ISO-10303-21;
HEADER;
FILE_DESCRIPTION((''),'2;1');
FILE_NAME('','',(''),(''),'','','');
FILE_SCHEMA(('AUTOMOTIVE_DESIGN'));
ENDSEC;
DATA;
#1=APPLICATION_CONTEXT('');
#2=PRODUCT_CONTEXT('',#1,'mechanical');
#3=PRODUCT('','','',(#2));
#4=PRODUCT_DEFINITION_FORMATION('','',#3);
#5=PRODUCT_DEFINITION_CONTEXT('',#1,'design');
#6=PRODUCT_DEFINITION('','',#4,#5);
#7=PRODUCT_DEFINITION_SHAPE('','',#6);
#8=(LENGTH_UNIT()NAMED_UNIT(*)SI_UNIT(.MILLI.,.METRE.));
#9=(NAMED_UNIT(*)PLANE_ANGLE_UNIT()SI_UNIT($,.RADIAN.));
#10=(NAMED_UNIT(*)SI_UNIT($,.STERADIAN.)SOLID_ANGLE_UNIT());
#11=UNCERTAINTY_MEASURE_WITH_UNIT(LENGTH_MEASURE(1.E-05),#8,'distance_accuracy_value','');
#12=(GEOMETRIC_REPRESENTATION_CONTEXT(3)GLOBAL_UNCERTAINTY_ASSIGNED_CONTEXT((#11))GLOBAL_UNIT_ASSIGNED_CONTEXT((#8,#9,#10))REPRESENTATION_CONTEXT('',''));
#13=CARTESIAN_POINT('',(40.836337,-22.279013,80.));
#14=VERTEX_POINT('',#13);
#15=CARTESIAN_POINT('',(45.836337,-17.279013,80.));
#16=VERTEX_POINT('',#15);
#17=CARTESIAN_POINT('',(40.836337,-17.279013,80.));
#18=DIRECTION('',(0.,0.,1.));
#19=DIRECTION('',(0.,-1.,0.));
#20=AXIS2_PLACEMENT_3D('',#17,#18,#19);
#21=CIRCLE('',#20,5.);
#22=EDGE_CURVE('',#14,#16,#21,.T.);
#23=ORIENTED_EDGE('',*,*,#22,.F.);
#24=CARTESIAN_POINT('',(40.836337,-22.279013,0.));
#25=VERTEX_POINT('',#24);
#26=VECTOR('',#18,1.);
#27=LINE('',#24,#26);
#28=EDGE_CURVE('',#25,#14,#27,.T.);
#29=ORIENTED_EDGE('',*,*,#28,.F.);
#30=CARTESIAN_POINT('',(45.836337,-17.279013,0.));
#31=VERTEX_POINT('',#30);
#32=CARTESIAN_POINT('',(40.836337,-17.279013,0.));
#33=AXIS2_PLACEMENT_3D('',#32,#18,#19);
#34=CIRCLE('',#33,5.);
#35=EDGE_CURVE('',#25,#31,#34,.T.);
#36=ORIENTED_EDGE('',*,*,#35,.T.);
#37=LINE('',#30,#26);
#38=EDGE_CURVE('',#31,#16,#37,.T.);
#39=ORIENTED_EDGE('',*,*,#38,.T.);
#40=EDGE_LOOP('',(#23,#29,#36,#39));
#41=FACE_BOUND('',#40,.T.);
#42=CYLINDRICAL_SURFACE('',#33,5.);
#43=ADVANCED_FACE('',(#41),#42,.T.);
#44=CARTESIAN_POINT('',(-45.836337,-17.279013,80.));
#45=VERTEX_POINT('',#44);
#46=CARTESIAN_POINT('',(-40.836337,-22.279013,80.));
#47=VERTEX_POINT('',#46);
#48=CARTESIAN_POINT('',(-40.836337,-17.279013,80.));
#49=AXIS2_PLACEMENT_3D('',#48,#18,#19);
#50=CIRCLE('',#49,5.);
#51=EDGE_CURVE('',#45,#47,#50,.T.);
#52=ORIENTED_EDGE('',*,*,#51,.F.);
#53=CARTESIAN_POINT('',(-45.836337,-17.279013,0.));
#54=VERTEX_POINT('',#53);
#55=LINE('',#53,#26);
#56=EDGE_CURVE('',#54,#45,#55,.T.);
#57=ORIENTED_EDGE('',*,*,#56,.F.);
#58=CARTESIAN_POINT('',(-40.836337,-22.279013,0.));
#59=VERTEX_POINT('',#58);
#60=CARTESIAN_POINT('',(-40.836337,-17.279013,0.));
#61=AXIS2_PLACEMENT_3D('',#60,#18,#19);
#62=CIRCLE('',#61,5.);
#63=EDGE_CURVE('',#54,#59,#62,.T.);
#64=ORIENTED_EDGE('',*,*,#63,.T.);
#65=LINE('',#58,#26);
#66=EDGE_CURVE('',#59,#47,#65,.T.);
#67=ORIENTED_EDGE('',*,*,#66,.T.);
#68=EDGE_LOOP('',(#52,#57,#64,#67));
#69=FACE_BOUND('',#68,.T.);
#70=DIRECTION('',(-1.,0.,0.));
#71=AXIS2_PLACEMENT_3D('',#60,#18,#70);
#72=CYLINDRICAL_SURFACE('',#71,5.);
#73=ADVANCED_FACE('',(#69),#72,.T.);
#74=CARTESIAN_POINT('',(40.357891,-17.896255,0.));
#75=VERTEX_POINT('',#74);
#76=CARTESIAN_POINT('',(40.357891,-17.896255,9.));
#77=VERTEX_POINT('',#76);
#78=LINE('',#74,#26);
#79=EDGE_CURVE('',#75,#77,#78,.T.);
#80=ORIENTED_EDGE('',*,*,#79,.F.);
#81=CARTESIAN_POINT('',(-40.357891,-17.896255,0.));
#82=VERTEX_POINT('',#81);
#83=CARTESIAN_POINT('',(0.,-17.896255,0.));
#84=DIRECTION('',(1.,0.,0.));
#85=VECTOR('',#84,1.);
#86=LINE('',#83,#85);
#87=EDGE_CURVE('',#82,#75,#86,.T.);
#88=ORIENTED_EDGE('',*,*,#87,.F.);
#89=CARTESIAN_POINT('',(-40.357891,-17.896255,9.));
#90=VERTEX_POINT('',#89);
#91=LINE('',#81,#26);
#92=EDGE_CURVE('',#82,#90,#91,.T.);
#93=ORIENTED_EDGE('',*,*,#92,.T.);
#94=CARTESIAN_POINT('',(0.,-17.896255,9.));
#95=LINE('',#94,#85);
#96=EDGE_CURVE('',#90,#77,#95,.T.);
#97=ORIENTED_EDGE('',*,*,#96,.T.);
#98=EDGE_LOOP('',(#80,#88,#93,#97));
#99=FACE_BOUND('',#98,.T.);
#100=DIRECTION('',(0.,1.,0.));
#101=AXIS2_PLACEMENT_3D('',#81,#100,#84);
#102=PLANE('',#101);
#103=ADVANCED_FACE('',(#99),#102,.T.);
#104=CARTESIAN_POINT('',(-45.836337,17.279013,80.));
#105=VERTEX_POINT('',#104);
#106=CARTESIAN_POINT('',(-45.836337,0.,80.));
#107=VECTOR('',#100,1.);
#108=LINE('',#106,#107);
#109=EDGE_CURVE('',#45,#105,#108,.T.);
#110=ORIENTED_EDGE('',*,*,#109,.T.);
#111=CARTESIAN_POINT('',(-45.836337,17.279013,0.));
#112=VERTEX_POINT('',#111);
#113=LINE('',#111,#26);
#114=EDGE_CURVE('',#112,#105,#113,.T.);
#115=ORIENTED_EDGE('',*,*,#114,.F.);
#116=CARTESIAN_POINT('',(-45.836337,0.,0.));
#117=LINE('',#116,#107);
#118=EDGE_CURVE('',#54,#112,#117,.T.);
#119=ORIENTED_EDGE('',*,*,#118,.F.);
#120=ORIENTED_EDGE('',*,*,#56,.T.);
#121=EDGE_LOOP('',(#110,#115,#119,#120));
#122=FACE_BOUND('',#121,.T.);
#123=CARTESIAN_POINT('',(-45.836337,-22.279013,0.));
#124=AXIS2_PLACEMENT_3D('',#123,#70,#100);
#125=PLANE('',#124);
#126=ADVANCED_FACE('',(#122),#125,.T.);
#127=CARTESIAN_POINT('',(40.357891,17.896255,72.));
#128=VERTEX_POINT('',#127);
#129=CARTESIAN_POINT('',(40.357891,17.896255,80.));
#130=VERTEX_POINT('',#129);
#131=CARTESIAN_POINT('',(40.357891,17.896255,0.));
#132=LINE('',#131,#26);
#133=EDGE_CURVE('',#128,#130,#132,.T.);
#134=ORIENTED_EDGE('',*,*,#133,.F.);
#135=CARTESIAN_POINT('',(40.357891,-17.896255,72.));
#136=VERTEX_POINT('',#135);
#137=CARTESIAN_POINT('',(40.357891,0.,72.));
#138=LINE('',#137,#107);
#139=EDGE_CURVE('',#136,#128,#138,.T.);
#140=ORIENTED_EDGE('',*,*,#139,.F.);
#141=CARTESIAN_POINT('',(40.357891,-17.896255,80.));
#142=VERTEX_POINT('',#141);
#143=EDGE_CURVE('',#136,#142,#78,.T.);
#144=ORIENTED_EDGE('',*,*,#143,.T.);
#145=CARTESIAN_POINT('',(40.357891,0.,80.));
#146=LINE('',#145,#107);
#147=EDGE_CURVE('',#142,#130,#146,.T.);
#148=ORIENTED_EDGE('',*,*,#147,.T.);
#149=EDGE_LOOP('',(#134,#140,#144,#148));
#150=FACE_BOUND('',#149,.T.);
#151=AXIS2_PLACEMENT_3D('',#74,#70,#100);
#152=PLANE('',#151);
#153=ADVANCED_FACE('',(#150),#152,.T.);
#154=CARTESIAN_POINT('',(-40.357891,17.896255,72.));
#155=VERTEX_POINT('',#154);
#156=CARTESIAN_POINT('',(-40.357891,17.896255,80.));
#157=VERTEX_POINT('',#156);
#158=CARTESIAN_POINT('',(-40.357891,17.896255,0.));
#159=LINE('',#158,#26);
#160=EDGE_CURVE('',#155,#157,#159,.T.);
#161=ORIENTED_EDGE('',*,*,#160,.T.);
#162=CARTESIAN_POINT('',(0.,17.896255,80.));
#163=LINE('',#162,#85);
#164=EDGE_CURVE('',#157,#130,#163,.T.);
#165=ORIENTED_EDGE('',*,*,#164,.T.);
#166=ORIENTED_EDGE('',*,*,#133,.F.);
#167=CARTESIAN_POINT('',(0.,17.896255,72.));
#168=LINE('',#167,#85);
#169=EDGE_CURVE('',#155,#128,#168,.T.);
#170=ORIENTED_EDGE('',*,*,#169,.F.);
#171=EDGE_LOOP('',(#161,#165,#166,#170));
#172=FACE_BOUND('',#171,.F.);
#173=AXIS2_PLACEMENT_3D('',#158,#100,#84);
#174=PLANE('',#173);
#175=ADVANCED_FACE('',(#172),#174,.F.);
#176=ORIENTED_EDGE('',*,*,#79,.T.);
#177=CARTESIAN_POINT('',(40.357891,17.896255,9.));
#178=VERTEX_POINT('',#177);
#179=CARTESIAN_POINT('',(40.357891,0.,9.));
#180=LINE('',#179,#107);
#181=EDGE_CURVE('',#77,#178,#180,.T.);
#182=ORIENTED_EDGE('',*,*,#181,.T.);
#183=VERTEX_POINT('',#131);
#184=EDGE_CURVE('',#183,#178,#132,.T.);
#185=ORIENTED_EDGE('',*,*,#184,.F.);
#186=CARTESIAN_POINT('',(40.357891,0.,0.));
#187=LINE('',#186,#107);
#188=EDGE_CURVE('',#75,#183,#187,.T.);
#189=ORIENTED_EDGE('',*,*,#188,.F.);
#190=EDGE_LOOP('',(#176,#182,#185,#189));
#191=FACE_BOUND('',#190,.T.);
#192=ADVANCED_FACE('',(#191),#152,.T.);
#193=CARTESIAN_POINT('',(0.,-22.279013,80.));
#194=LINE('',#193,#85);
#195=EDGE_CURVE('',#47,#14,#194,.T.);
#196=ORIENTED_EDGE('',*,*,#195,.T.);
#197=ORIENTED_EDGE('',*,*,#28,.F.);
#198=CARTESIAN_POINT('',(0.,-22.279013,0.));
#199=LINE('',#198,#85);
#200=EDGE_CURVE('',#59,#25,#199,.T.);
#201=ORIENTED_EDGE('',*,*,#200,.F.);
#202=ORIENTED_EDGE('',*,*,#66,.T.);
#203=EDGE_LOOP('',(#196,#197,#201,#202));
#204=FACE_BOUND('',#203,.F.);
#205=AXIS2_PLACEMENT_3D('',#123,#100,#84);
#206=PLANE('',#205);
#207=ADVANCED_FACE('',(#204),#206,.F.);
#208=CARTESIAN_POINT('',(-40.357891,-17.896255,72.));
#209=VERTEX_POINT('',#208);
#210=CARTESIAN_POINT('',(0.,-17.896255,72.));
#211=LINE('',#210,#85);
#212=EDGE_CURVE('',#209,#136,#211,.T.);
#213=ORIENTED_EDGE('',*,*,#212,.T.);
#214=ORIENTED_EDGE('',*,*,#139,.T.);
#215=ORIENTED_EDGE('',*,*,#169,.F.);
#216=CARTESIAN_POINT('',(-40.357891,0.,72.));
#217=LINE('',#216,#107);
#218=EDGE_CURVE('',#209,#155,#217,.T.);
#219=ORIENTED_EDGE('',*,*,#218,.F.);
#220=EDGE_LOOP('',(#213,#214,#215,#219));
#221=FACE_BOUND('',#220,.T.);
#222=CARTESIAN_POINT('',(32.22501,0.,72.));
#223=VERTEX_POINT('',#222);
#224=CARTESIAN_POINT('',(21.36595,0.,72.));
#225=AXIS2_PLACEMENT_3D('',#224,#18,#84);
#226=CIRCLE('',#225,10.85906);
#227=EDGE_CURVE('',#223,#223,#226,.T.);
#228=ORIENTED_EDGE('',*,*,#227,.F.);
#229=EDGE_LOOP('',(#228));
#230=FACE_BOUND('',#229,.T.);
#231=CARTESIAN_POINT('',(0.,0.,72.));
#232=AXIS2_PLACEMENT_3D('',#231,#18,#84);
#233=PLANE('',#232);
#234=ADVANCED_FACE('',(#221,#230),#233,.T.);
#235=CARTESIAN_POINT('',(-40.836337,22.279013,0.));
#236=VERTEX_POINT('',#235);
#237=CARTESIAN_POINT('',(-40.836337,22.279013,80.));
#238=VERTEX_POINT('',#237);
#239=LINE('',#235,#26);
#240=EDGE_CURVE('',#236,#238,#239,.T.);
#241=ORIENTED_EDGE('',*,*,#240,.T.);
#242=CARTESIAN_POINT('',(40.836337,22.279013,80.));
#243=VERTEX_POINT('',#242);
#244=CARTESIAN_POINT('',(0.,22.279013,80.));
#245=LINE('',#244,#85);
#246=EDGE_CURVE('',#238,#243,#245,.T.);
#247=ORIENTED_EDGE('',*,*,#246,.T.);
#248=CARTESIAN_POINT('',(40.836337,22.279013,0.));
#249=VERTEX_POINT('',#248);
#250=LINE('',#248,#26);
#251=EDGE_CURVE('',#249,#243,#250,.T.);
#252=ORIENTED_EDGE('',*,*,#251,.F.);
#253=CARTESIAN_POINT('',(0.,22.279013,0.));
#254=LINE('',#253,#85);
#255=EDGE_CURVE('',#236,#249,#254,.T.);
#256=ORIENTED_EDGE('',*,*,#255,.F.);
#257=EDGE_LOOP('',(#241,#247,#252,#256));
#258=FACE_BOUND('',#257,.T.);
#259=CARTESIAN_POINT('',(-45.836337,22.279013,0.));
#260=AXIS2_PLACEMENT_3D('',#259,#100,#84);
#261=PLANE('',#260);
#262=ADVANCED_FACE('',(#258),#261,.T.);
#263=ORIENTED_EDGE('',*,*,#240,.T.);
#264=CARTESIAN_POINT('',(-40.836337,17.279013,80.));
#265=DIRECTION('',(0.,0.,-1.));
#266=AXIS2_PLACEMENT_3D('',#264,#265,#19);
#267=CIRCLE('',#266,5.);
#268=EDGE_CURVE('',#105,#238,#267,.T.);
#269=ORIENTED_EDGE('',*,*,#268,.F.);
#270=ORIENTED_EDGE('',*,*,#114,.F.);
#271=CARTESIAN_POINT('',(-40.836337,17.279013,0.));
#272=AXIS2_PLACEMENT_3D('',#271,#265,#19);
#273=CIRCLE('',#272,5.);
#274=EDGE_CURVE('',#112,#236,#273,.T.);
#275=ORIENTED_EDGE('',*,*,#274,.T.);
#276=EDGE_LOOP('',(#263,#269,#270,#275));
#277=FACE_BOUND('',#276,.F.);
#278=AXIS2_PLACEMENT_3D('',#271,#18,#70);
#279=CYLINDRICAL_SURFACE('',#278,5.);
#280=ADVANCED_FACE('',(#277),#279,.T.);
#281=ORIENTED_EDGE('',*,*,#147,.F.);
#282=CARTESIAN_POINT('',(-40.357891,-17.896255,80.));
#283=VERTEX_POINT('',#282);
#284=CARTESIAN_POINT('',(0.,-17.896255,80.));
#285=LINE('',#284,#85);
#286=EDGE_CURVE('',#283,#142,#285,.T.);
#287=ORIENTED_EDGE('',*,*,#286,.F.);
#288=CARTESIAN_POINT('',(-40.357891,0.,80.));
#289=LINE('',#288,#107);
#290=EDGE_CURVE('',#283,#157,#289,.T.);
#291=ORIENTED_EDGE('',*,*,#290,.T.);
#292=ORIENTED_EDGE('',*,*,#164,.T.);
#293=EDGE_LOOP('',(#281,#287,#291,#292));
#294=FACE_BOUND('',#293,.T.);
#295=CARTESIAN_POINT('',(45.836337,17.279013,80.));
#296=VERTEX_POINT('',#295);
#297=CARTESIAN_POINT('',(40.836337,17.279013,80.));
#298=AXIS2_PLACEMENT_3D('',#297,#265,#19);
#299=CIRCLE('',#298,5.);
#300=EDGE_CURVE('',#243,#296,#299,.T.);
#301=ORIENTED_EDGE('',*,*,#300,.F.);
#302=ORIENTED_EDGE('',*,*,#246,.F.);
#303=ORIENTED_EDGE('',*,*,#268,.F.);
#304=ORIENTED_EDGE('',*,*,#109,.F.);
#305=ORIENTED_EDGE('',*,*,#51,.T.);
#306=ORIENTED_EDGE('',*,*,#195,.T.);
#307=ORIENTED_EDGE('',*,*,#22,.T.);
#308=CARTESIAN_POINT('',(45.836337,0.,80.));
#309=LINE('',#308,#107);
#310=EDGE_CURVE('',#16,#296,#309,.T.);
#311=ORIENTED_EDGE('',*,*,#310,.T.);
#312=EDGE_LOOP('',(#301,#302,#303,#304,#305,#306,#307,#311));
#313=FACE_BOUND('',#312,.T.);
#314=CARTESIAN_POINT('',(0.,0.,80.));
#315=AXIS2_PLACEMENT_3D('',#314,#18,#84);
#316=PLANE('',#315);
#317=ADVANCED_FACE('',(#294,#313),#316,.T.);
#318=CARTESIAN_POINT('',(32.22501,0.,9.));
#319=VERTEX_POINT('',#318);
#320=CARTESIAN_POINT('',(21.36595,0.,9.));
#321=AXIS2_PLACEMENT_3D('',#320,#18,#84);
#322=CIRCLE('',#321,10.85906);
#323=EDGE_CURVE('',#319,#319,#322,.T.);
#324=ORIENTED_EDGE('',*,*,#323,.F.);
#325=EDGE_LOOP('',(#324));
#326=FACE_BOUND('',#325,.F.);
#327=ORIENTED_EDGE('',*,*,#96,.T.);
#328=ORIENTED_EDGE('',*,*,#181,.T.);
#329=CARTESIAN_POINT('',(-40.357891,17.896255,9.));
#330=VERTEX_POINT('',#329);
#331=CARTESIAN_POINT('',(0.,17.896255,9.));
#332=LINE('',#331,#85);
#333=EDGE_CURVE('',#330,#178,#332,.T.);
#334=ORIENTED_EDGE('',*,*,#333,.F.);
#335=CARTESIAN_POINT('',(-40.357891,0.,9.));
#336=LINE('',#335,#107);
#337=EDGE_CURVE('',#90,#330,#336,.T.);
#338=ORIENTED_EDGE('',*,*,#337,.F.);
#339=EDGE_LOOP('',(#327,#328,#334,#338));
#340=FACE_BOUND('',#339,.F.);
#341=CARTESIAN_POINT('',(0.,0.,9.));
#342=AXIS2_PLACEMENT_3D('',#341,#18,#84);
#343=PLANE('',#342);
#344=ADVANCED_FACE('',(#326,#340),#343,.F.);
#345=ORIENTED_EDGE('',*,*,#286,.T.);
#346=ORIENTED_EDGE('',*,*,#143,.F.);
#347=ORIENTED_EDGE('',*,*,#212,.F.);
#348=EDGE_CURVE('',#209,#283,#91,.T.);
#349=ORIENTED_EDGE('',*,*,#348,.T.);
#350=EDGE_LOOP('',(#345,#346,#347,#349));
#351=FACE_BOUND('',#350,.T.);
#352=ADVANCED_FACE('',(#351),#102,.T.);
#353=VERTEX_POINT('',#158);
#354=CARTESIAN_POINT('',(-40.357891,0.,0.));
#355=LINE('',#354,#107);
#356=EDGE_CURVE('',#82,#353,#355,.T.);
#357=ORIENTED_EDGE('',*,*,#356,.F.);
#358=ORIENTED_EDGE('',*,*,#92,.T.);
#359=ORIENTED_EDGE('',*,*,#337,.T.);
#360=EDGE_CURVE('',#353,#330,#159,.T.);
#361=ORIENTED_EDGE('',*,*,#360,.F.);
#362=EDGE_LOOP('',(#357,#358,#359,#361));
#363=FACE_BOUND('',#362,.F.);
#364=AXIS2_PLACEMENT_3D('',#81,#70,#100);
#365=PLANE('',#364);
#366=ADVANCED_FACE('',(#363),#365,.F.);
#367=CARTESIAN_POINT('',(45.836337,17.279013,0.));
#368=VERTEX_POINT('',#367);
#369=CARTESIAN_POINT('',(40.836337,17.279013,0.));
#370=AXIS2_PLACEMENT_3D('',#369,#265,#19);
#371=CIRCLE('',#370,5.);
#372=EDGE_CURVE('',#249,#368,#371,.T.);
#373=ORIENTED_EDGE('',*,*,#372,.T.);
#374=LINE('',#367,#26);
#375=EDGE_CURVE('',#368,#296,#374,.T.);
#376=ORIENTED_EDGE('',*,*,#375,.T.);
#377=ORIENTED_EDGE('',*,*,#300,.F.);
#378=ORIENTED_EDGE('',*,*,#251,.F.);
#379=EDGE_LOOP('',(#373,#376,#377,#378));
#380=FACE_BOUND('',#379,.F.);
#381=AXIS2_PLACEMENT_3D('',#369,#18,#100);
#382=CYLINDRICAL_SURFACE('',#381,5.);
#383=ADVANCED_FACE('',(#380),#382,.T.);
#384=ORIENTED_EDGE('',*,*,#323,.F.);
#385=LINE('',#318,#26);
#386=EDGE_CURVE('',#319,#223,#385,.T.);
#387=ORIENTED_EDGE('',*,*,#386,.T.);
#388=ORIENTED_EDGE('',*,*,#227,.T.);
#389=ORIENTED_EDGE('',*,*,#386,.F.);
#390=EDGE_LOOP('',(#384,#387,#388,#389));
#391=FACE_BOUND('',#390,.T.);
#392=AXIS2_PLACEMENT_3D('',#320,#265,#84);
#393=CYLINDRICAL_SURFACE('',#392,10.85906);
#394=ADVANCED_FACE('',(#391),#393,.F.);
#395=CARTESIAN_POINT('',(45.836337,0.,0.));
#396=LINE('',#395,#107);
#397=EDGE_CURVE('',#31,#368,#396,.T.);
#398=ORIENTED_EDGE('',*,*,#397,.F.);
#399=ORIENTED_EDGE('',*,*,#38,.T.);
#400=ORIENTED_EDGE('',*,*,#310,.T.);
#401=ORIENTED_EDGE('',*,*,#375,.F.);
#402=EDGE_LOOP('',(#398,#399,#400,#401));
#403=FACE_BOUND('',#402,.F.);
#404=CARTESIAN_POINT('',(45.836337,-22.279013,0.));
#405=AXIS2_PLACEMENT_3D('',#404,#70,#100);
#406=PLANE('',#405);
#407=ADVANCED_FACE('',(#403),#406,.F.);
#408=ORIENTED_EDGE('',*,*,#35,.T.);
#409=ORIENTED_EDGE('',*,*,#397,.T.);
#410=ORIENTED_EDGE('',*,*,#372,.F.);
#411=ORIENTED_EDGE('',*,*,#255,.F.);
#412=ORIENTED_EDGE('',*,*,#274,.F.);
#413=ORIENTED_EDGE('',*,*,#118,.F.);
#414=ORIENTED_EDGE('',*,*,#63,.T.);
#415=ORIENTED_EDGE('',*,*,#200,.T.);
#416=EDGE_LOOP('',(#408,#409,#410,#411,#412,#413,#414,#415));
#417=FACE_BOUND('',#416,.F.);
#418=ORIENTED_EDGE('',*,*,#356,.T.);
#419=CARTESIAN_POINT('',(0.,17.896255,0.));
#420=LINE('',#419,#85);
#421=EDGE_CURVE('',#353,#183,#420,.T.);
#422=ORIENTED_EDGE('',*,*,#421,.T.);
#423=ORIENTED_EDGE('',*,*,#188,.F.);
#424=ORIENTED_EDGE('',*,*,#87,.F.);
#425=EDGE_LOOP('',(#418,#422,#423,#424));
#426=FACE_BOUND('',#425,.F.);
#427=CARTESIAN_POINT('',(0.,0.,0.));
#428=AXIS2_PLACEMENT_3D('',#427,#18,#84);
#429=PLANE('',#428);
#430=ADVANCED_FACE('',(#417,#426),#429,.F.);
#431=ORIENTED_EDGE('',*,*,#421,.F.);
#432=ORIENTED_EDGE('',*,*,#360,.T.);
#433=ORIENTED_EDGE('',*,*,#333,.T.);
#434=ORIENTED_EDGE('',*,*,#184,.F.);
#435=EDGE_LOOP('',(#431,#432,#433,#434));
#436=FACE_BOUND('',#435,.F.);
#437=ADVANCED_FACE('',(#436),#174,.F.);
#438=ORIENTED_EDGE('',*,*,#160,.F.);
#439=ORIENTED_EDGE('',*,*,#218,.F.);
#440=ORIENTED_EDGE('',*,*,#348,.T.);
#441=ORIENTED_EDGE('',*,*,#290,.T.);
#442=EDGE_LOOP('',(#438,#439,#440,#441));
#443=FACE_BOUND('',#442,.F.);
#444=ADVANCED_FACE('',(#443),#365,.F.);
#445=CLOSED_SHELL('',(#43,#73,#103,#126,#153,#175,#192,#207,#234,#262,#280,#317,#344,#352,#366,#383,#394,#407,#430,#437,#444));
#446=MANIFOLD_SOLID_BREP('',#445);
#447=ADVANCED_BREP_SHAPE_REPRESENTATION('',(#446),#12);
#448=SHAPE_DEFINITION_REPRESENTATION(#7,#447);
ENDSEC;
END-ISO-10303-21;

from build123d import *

# Parameters (mm, degrees)
F0_W     = 91.6726738214
F0_H     = 44.5580258965
F0_W_2   = 80.7157829404
F0_H_2   = 35.7925109565
F1_DEPTH = 80
F2_START = 9
F0_R     = 10.8590602413
F2_DEPTH = 63
F3_R     = 5


with BuildPart() as f1:
    # F0 (on Top) → F1 (new body)
    with BuildSketch(Plane.XY):
        Rectangle(F0_W, F0_H)
        Rectangle(F0_W_2, F0_H_2, mode=Mode.SUBTRACT)
    extrude(amount=F1_DEPTH)

    # F0 (on Top) → F2 (join)
    with BuildSketch(Plane.XY.offset(F2_START)):
        Rectangle(F0_W_2, F0_H_2)
        with Locations((21.3659498841, 0)):
            Circle(F0_R, mode=Mode.SUBTRACT)
    extrude(amount=F2_DEPTH)

    # F3
    f3_edges = [f1.edges().sort_by_distance(p)[0] for p in [
        (45.836337, -22.279013, 40),
        (45.836337, 22.279013, 40),
        (-45.836337, 22.279013, 40),
        (-45.836337, -22.279013, 40),
    ]]
    fillet(f3_edges, radius=F3_R)


solid = f1.part
